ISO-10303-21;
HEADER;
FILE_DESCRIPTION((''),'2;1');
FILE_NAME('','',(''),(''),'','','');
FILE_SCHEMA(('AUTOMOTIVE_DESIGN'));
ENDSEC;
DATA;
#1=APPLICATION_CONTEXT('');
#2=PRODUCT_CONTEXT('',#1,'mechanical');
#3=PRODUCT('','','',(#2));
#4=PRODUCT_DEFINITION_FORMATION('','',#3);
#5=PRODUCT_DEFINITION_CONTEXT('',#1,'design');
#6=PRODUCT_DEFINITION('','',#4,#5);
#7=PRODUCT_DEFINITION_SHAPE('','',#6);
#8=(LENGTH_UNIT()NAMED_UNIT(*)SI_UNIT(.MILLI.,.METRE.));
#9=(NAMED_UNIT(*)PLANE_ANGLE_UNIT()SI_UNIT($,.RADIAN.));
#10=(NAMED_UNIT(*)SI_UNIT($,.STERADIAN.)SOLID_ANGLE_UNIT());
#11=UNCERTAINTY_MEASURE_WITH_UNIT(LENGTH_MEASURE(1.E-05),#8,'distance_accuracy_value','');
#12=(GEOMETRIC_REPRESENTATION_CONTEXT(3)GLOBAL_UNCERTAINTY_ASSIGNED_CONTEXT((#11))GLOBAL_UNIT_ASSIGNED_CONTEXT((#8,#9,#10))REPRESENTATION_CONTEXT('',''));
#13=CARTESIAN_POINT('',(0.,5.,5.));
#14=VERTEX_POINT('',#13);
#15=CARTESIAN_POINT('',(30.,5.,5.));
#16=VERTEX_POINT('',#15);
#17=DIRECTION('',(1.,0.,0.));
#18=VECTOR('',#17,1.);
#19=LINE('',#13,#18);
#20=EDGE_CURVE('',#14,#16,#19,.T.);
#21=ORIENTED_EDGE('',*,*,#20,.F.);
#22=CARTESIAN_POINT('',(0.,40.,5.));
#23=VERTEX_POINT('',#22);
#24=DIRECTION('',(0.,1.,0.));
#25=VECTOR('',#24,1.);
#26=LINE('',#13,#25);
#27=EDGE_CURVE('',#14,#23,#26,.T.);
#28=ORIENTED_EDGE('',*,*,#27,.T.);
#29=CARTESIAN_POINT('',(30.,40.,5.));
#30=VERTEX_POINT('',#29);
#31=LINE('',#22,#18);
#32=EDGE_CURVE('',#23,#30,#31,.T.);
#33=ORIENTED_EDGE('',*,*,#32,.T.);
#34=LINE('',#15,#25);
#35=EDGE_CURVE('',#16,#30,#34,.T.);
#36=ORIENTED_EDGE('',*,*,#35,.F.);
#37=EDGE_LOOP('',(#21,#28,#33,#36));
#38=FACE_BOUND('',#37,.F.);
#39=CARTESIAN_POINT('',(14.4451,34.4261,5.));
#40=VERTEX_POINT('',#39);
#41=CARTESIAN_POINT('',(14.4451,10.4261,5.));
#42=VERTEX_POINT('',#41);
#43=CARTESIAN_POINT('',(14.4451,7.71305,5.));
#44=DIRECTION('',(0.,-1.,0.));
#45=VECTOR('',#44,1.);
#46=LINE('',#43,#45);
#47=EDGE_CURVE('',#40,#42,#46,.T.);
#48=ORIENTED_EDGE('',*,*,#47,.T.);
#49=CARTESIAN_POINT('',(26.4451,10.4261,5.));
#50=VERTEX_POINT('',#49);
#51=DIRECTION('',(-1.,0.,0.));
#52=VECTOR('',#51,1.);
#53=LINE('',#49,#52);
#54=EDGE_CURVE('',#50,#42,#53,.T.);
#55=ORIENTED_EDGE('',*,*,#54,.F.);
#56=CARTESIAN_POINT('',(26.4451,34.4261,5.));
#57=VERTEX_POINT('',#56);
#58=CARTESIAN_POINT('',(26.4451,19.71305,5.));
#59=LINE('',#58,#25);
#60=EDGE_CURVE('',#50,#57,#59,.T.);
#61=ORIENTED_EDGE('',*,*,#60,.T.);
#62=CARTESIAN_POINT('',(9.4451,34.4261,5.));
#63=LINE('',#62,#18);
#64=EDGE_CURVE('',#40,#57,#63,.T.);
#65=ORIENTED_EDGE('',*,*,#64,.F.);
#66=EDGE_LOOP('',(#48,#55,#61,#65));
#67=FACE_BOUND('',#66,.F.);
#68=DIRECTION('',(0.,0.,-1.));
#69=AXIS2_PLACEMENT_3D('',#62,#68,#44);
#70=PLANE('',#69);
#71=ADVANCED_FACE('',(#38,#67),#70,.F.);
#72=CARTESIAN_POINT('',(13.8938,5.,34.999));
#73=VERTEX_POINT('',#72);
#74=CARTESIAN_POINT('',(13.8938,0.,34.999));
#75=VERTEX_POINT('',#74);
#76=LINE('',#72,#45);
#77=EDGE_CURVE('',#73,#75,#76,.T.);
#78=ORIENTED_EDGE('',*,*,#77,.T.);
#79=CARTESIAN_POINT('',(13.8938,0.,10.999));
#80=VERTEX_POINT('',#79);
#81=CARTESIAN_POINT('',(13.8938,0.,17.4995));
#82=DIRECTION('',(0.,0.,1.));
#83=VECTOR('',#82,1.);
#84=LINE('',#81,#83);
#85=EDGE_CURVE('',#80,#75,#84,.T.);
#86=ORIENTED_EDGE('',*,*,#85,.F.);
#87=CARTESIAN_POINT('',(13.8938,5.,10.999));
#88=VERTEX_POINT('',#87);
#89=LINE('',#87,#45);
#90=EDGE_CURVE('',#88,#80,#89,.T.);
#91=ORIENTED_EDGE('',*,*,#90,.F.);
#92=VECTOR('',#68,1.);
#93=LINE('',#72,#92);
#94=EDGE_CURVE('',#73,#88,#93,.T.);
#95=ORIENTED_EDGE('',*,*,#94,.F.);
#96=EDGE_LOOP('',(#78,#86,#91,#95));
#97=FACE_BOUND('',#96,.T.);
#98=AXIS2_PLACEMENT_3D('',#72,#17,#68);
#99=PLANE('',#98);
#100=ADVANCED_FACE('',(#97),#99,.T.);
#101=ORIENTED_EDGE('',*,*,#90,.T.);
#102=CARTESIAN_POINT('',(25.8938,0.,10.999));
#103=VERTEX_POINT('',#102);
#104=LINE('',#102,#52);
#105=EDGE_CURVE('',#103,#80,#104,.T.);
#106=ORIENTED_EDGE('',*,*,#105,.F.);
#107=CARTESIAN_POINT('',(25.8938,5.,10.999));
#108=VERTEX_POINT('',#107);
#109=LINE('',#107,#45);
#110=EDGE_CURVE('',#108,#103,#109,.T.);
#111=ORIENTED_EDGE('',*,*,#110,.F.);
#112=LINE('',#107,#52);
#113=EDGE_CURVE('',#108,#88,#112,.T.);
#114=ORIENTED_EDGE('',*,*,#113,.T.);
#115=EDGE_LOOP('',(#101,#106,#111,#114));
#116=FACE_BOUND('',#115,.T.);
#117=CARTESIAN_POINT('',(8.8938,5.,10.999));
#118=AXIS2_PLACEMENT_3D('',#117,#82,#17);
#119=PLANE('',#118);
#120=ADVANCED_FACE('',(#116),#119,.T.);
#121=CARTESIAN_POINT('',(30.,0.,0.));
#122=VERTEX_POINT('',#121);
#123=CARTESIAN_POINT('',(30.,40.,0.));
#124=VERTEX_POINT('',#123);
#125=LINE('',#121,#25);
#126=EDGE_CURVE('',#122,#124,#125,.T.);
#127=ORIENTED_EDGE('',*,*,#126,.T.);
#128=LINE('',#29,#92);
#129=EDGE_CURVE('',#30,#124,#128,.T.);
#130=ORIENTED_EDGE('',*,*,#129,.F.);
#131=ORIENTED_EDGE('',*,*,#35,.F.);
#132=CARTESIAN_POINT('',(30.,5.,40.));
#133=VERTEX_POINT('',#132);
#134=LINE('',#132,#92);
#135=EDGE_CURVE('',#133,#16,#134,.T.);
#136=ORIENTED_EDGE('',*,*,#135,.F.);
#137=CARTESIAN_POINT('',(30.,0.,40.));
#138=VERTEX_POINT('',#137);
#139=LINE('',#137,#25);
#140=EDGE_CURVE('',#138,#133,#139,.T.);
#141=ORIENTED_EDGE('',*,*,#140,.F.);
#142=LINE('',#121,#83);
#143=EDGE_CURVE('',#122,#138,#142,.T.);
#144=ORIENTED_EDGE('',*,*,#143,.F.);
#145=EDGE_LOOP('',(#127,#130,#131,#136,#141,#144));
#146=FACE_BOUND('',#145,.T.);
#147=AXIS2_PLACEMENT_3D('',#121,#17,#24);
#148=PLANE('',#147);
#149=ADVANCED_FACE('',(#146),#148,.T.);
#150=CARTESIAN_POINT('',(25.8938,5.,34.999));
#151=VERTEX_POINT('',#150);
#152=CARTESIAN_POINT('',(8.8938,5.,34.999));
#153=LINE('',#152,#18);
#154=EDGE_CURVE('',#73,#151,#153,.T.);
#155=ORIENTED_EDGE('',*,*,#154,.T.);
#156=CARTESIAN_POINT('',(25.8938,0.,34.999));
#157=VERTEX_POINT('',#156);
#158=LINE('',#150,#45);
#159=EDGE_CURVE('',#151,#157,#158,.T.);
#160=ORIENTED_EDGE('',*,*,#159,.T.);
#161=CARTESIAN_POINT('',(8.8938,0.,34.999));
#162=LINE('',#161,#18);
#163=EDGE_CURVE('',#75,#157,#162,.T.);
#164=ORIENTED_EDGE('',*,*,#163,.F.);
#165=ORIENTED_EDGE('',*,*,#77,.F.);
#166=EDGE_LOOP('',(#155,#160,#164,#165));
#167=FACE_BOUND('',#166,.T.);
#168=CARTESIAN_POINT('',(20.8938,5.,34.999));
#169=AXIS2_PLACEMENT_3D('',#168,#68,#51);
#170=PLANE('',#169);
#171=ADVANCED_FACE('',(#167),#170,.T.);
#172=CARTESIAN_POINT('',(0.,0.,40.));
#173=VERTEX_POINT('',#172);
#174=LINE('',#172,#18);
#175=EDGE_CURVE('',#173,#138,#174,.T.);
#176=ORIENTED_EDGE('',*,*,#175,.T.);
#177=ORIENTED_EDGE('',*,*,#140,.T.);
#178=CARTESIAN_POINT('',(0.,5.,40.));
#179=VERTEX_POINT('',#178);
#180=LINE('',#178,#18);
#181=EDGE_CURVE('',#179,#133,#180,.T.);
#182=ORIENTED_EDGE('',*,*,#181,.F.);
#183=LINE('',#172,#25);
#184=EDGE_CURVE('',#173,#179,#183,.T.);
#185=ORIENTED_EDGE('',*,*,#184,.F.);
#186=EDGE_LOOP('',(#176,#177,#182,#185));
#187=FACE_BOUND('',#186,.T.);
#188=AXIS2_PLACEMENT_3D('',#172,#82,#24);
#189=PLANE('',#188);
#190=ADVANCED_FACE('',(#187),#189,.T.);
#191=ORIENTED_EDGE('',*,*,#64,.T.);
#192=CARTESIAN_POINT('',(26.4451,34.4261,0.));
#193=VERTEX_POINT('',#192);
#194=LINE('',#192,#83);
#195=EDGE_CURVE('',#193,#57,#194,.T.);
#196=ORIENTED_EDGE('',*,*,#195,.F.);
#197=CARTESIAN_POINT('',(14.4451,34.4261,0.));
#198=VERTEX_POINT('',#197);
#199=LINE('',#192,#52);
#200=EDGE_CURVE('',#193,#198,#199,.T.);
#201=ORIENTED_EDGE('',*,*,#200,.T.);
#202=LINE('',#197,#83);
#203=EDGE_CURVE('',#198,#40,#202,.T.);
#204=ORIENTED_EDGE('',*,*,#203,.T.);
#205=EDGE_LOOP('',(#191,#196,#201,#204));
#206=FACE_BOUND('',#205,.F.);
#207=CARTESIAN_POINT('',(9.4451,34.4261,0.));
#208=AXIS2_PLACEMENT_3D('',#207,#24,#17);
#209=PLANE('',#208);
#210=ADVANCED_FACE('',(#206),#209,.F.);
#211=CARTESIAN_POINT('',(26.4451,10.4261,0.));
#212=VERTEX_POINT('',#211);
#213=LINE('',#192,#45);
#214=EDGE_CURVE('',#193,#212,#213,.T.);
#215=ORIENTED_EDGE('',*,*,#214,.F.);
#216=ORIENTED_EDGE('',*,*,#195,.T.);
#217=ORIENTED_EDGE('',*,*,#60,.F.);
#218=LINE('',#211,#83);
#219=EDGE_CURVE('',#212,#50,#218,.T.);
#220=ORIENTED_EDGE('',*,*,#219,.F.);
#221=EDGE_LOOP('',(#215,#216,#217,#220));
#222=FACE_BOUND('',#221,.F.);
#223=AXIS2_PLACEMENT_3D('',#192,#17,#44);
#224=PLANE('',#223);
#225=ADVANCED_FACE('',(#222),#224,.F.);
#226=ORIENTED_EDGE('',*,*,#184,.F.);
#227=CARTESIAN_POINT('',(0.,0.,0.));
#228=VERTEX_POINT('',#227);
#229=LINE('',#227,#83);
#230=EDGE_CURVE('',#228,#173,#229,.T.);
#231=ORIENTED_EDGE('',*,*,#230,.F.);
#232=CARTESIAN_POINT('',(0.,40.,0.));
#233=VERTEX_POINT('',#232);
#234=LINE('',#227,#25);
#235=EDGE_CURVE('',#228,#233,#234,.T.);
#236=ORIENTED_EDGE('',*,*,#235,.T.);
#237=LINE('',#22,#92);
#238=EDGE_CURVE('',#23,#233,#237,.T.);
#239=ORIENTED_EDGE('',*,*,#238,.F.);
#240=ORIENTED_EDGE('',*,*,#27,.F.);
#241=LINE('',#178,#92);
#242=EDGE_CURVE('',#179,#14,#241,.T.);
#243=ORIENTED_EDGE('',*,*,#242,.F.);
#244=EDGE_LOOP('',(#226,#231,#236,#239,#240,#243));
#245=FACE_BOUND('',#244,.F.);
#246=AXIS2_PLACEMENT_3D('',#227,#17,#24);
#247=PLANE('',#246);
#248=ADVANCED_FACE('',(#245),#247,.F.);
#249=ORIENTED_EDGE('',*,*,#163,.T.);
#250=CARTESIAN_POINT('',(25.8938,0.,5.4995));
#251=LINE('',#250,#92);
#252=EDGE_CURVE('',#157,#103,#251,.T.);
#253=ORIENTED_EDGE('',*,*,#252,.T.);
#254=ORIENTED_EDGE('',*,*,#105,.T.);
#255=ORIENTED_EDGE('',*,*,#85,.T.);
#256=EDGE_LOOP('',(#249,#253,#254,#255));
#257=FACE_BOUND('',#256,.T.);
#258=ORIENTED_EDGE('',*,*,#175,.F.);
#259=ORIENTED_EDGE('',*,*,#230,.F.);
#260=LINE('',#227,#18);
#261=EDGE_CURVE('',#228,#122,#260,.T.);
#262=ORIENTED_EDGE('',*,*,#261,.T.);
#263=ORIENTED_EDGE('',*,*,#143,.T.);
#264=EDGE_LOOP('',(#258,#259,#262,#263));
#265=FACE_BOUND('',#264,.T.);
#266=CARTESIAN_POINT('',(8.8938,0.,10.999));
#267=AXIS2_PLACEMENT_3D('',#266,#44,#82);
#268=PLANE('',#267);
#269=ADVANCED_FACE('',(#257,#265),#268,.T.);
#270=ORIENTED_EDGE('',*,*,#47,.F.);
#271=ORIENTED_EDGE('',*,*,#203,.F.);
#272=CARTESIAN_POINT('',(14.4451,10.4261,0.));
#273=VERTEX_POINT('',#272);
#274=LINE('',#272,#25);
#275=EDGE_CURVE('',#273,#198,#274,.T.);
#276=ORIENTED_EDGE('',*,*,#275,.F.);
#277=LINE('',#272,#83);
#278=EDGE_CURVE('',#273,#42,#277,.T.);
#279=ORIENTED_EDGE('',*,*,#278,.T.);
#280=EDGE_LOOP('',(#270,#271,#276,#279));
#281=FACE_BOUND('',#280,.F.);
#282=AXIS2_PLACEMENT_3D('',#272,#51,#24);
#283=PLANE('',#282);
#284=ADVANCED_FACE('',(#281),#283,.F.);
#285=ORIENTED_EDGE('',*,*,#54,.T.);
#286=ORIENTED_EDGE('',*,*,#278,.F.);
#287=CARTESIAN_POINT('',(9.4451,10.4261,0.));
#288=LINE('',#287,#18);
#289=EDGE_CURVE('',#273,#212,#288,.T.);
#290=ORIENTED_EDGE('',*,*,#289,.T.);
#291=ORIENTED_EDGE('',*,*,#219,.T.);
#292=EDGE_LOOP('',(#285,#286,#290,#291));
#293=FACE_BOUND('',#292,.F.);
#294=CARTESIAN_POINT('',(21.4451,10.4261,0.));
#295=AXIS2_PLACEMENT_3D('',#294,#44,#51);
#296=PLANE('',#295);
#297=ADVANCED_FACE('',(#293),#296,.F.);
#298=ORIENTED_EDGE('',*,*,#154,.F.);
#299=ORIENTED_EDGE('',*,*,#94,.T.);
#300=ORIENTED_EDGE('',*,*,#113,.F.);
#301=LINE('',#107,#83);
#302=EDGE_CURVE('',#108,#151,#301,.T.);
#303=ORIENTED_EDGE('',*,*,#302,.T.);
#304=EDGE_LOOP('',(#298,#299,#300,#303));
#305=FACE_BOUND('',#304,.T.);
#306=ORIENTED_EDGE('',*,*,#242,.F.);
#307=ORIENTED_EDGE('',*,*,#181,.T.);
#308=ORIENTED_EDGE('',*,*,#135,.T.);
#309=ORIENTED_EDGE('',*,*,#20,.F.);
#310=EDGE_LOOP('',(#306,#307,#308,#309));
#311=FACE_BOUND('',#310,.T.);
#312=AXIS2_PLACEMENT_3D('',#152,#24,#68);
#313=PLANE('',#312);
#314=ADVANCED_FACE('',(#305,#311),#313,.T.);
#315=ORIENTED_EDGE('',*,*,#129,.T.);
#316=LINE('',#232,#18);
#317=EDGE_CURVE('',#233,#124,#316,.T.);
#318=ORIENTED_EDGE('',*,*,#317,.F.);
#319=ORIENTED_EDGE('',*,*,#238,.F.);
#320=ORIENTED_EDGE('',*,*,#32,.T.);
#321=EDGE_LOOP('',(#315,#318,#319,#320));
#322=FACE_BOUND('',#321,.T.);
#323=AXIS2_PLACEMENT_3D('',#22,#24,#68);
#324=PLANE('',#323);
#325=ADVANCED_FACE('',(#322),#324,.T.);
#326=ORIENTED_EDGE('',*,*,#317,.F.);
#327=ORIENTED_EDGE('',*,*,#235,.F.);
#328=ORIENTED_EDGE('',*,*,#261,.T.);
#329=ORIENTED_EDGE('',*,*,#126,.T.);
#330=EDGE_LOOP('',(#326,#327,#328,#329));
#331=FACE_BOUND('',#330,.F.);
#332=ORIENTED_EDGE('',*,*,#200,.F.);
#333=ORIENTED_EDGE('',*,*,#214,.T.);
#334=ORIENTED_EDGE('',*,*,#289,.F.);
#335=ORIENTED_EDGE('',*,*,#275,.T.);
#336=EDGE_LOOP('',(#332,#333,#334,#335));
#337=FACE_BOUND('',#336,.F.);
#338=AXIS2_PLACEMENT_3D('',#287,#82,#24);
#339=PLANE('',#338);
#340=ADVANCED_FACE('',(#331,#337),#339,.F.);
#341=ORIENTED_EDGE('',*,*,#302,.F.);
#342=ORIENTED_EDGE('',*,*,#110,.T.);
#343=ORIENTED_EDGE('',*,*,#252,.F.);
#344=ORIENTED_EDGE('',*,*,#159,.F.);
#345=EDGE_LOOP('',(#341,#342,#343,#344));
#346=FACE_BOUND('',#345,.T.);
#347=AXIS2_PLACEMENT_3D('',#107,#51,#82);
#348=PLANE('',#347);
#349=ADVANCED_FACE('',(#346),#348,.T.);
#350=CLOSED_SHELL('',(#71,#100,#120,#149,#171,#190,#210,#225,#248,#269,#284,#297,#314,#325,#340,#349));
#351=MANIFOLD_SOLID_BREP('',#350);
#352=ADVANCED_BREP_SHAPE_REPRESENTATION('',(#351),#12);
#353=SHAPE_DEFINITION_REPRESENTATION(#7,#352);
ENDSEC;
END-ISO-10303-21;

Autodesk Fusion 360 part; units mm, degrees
sketch "Esquisse1" plane through (0, 0, 0) normal (1, 0, 0) x (0, 1, 0)
  line L0 (0, 0) -> (40, 0)
  line L1 (0, 0) -> (0, 40)
  line L2 (0, 40) -> (5, 40)
  line L3 (5, 40) -> (5, 5)
  line L4 (5, 5) -> (40, 5)
  line L5 (40, 5) -> (40, 0)
  dimension "d2" = 40
extrude "Extrusion1" add sketch "Esquisse1" along normal blind 30
sketch "Esquisse2" plane through (0, 0, 0) normal (0, 0, 1) x (1, 0, 0)
  line L0 (9.4451, 34.4261) -> (21.4451, 34.4261)
  line L1 (21.4451, 34.4261) -> (21.4451, 10.4261)
  line L2 (21.4451, 10.4261) -> (9.4451, 10.4261)
  line L3 (9.4451, 10.4261) -> (9.4451, 34.4261)
  dimension "d5" = 12
  dimension "d6" = 24
extrude "Extrusion2" cut sketch "Esquisse2" along normal blind 6
sketch "Esquisse4" plane through (0, 5, 0) normal (0, 1, 0) x (-1, 0, 0)
  line L0 (0, 5) -> (0, 40)
  line L1 (0, 40) -> (-30, 40)
  line L2 (-30, 40) -> (-30, 5)
  line L3 (-30, 5) -> (0, 5)
  line L4 (-8.8938, 10.999) -> (-20.8938, 10.999)
  line L5 (-20.8938, 10.999) -> (-20.8938, 34.999)
  line L6 (-20.8938, 34.999) -> (-8.8938, 34.999)
  line L7 (-8.8938, 34.999) -> (-8.8938, 10.999)
  dimension "d15" = 12
  dimension "d16" = 24
extrude "Extrusion3" cut sketch "Esquisse4" against normal blind 34 contours L4 L5 L6 L7
extrude "Extrusion4" cut 1 faces at (20.8938, 3.3333, 18.999) along direction (1, 0, 0) blind 5
extrude "Extrusion5" add 1 faces at (8.8938, 3.3333, 26.999) along direction (1, 0, 0) blind 5
extrude "Extrusion6" cut 1 faces at (21.4451, 26.4261, 1.6667) along direction (1, 0, 0) blind 5
extrude "Extrusion7" add 1 faces at (9.4451, 18.4261, 1.6667) along direction (1, 0, 0) blind 5
